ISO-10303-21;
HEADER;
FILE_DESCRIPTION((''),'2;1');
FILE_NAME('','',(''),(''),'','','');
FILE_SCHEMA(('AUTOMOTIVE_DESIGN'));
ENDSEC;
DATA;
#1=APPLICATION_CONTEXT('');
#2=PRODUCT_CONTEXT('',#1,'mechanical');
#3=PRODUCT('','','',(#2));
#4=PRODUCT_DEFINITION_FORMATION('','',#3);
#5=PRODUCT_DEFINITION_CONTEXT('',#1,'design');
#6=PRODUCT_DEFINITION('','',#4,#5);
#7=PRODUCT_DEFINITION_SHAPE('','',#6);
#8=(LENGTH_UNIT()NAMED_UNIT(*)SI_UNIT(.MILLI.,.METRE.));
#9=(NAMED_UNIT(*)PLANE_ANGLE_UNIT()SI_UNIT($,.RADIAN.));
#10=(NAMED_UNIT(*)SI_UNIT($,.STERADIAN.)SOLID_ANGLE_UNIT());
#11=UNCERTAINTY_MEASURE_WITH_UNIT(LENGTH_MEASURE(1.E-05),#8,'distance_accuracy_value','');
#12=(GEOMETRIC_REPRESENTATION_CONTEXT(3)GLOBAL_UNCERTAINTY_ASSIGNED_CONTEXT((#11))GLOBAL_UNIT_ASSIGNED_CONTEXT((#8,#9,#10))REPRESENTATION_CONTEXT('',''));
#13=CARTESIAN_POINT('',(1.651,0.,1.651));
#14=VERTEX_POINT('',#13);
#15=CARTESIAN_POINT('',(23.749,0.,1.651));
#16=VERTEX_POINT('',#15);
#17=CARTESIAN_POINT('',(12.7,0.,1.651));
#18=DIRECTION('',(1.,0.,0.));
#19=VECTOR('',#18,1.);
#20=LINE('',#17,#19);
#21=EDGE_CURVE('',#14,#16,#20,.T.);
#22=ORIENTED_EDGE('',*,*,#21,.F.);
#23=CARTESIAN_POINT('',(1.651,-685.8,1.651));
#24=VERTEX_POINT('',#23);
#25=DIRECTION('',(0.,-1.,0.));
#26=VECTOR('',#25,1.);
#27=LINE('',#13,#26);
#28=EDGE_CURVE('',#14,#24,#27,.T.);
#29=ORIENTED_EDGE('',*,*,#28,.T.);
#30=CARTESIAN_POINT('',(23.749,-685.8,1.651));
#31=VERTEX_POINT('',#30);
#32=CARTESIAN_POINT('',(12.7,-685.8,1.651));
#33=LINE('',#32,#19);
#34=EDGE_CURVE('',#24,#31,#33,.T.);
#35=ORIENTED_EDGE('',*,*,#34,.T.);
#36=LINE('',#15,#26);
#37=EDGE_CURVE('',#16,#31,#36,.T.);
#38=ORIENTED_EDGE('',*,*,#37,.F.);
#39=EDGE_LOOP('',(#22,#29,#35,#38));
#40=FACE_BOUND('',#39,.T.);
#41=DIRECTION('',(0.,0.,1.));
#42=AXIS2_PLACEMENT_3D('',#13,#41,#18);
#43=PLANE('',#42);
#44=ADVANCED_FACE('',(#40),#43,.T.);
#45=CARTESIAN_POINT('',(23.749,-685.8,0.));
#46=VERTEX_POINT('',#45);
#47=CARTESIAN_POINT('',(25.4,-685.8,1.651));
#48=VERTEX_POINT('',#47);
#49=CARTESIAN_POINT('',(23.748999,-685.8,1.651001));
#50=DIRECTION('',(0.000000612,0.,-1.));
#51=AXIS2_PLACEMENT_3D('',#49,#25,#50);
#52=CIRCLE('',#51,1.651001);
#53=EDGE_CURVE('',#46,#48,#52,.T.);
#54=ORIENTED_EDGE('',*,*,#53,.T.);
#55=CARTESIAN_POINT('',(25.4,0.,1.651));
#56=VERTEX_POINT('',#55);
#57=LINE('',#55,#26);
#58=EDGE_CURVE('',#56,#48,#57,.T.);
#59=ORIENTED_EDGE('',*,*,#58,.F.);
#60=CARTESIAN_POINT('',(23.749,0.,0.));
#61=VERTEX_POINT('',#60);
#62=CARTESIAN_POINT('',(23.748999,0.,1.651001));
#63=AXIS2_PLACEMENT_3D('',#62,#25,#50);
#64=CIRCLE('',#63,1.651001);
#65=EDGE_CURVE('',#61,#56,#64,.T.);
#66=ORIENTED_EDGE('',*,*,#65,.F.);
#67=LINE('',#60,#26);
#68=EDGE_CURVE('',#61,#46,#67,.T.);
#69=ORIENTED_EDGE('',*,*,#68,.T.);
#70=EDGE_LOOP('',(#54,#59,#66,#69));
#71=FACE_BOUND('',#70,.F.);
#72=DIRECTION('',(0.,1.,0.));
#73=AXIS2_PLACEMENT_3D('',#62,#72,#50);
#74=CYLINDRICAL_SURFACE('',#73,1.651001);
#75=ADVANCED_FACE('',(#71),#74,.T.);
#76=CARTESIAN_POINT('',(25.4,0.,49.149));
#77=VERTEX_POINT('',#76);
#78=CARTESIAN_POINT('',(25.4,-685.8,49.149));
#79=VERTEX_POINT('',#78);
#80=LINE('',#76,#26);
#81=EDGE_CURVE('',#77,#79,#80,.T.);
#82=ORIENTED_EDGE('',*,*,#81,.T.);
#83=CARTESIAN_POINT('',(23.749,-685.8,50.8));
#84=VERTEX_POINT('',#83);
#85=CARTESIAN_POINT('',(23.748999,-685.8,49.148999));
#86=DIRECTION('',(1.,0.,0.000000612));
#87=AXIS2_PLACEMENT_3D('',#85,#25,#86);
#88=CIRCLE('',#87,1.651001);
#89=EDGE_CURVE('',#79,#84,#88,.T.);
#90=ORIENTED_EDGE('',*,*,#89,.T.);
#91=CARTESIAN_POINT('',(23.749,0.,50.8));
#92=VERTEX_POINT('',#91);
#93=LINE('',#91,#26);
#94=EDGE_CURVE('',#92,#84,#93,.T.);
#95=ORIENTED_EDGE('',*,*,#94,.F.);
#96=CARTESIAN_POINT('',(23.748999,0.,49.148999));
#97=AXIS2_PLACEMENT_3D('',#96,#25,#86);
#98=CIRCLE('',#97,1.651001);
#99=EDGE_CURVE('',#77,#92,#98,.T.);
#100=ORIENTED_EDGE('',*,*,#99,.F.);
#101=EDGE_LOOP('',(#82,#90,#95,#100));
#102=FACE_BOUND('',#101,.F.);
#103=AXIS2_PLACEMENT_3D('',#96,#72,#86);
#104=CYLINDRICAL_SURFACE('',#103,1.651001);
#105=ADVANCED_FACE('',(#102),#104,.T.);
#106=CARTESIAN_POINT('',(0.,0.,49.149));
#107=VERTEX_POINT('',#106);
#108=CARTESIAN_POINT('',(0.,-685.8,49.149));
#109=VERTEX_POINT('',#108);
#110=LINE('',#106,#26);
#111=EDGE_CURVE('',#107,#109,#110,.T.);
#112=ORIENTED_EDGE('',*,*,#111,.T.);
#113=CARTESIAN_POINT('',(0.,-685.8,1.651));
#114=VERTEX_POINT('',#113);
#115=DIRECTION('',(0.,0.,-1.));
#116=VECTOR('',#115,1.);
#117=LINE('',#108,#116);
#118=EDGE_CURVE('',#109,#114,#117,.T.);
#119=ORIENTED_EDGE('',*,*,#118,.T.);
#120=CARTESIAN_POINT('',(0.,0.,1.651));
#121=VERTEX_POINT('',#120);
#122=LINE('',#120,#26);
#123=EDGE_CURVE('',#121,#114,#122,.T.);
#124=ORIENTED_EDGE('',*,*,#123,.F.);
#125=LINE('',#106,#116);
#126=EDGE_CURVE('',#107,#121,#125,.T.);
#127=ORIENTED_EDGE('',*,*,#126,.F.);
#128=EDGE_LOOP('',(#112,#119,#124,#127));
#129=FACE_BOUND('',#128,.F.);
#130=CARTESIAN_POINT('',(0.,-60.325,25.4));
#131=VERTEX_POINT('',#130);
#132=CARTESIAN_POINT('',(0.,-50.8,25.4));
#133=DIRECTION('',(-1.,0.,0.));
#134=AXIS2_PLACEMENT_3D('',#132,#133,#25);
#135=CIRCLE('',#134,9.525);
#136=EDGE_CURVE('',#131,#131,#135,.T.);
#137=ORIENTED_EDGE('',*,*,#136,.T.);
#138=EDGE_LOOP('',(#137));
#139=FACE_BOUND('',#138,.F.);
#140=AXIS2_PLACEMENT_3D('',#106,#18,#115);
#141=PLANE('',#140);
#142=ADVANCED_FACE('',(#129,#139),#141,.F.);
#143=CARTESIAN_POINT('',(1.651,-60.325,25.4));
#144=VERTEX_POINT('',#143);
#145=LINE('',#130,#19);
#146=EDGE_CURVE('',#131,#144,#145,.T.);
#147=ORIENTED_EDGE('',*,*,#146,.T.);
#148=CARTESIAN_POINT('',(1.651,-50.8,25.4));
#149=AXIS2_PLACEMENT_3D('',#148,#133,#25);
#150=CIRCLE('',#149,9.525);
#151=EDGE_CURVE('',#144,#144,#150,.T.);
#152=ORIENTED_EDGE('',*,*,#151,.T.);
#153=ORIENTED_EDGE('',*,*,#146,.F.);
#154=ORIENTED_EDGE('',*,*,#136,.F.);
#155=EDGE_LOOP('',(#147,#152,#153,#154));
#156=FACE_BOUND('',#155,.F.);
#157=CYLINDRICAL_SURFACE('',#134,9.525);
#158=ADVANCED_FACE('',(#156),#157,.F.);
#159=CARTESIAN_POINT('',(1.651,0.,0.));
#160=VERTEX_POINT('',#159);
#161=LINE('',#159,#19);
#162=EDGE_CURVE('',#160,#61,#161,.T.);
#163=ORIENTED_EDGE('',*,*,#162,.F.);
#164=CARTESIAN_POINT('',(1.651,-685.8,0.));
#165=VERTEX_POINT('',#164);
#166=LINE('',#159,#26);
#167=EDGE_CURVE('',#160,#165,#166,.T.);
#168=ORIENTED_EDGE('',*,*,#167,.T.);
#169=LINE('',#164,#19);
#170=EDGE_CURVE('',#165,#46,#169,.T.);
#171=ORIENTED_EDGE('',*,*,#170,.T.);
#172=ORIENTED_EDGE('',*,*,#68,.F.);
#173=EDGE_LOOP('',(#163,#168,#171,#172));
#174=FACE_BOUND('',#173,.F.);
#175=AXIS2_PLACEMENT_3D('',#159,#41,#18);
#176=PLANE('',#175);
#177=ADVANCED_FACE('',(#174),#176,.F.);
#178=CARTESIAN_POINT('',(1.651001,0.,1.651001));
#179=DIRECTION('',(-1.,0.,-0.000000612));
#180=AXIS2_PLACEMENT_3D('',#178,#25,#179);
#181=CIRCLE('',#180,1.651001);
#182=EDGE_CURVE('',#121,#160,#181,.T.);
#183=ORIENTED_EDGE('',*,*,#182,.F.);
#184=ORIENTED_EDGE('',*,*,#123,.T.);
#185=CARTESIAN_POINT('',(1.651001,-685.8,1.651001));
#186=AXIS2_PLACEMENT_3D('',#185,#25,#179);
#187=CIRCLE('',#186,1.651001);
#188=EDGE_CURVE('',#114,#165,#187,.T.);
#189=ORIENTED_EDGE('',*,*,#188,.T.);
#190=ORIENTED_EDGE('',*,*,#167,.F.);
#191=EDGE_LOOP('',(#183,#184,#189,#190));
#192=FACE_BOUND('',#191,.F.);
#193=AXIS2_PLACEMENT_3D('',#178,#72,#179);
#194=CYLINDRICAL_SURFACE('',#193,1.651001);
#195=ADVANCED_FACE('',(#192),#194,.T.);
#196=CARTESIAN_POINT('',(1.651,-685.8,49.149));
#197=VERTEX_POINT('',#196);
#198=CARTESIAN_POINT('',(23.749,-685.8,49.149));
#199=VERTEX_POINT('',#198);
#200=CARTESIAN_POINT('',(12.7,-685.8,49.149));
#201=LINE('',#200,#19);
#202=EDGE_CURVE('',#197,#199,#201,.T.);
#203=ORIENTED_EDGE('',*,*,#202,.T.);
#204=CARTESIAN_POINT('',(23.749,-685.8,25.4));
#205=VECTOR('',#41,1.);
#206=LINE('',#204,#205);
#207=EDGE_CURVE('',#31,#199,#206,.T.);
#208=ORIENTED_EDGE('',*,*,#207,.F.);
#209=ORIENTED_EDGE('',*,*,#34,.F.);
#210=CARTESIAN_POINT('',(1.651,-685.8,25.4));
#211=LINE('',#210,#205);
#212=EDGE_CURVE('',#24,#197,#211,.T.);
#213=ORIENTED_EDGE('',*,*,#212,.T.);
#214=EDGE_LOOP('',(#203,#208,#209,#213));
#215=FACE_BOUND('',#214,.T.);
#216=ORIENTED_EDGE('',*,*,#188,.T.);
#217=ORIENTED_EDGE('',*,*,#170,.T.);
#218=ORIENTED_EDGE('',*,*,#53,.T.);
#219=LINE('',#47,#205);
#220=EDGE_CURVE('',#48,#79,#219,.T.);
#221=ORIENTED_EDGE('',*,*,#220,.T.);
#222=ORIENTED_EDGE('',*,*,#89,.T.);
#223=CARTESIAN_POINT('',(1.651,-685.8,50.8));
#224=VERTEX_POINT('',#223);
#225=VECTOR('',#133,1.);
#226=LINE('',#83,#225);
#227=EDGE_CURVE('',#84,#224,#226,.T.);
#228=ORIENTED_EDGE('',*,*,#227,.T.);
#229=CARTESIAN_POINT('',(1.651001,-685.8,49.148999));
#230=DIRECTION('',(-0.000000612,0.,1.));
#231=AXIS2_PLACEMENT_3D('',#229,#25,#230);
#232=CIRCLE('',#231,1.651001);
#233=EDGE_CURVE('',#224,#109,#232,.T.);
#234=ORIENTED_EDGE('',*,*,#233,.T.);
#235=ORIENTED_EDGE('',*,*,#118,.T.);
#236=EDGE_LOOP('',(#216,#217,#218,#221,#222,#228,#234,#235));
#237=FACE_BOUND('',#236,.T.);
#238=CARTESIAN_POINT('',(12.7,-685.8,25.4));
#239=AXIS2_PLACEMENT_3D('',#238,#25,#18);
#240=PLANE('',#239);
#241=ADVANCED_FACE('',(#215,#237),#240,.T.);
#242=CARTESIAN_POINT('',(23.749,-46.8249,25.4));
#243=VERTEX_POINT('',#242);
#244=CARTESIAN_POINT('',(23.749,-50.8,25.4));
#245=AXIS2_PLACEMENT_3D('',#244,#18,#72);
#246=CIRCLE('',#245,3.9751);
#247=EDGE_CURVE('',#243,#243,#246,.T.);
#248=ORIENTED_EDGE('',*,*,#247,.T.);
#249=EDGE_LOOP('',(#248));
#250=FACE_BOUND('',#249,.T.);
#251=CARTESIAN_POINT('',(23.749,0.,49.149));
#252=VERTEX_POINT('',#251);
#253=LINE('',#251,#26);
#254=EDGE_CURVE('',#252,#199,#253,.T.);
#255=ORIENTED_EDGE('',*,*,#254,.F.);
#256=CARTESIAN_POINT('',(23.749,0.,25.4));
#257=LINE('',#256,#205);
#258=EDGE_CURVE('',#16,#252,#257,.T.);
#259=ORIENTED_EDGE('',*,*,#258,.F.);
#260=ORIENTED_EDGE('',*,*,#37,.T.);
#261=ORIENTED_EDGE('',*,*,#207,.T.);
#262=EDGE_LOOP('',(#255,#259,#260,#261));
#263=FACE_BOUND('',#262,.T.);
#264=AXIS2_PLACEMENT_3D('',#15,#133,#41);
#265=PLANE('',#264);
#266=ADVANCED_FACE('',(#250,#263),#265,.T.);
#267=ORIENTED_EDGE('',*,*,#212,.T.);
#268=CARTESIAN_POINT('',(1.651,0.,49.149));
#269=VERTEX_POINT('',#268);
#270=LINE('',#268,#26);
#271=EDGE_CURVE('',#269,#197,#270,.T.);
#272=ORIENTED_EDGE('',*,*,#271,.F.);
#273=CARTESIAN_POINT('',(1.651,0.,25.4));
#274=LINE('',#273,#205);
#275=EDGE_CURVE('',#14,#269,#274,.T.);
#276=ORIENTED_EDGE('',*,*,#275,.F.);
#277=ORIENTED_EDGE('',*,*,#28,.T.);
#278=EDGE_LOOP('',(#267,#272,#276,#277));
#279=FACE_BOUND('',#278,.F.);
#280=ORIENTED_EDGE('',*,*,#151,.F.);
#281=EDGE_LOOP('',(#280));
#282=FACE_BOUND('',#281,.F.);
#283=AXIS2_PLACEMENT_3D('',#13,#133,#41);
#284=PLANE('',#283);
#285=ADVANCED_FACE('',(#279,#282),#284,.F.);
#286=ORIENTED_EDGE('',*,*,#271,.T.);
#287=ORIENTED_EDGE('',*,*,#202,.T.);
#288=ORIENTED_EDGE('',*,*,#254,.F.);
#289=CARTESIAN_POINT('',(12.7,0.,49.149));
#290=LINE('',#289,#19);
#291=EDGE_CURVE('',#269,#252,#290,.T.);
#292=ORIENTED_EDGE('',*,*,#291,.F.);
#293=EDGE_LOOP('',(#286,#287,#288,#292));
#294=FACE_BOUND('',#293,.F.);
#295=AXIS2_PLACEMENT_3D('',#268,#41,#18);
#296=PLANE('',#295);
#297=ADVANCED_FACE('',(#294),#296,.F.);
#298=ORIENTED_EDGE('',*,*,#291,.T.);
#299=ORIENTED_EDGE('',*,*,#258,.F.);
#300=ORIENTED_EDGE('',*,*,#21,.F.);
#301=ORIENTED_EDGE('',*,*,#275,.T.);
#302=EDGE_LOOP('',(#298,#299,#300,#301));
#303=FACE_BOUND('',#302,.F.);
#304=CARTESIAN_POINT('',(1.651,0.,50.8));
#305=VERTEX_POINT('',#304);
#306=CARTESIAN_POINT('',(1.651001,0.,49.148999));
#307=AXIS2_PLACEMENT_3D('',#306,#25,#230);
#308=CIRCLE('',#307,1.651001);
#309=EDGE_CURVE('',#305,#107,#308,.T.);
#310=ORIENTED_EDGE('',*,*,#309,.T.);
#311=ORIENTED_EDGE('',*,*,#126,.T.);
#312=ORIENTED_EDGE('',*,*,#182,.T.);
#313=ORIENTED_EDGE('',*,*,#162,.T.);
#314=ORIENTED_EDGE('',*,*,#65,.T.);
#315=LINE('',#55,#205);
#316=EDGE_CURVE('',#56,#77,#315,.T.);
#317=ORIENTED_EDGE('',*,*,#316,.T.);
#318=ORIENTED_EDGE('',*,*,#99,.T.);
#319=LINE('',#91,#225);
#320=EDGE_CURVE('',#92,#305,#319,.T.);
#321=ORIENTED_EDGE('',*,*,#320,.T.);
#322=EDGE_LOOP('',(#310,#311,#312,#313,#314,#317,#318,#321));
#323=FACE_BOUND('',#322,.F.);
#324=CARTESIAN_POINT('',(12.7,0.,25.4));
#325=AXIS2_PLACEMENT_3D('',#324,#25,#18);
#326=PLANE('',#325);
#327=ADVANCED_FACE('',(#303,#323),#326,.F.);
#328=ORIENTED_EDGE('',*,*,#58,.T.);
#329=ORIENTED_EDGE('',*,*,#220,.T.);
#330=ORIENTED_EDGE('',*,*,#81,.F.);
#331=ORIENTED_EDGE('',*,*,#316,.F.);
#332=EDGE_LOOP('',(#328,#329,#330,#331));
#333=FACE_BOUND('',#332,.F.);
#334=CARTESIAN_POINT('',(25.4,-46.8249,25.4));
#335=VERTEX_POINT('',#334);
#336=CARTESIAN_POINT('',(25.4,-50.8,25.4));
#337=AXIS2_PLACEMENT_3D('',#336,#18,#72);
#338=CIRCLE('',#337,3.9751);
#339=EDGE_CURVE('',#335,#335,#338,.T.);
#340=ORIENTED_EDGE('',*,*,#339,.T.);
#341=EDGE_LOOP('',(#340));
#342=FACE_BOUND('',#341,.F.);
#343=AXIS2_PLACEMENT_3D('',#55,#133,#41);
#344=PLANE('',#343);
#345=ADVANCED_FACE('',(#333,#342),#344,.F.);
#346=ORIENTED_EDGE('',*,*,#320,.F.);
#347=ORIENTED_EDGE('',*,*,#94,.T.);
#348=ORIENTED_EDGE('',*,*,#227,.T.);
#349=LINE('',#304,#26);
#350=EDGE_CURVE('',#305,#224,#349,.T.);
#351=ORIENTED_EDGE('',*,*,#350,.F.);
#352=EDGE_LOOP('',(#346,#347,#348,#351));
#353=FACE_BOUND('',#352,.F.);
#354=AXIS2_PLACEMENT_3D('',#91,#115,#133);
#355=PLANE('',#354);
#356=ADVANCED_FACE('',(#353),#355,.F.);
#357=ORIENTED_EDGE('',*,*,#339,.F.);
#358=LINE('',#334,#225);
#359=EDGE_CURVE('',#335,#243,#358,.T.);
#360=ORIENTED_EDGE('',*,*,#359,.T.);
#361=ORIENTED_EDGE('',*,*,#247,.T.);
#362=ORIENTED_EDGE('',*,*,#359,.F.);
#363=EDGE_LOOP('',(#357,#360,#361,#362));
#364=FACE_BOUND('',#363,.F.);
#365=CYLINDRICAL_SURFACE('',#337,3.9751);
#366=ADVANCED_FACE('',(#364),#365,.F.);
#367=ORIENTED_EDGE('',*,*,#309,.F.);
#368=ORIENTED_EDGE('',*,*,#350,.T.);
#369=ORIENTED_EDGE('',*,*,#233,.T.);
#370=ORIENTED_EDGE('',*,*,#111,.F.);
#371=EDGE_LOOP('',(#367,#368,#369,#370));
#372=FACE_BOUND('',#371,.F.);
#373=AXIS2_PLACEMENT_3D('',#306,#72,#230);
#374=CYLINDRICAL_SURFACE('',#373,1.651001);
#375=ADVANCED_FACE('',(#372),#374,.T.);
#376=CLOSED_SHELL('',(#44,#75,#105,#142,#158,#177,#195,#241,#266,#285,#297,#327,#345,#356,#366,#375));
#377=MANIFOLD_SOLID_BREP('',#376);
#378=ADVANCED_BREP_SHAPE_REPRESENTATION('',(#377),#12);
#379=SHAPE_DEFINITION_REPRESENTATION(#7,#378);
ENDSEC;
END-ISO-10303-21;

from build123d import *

# Parameters (mm, degrees)
F0_W     = 22.098
F0_H     = 47.498
F1_DEPTH = 685.8
F2_R     = 3.9751
F3_DEPTH = 1.651
F4_R     = 9.525
F5_DEPTH = 1.651


with BuildPart() as f1:
    # F0 (on Front) → F1 (new body)
    with BuildSketch(Plane.XZ):
        with BuildLine():
            ThreePointArc((0, 1.651), (0.483567, 0.483567), (1.651, 0))
            Line((1.651, 0), (23.749, 0))
            ThreePointArc((23.749, 0), (24.916433, 0.483567), (25.4, 1.651))
            Line((25.4, 1.651), (25.4, 49.149))
            ThreePointArc((25.4, 49.149), (24.916433, 50.316433), (23.749, 50.8))
            Line((23.749, 50.8), (1.651, 50.8))
            ThreePointArc((1.651, 50.8), (0.483567, 50.316433), (0, 49.149))
            Line((0, 49.149), (0, 1.651))
        make_face()
        with Locations((12.7, 25.4)):
            Rectangle(F0_W, F0_H, mode=Mode.SUBTRACT)
    extrude(amount=F1_DEPTH)

    # F2 (on face) → F3 (cut, through all)
    with BuildSketch(Plane.YZ.offset(25.4)):
        with Locations((-50.8, 25.4)):
            Circle(F2_R)
    extrude(amount=-F3_DEPTH, mode=Mode.SUBTRACT)

    # F4 (on face) → F5 (cut, through all)
    with BuildSketch(Plane(origin=(0, 0, 0), x_dir=(0, -1, 0), z_dir=(-1, 0, 0))):
        with Locations((50.8, 25.4)):
            Circle(F4_R)
    extrude(amount=-F5_DEPTH, mode=Mode.SUBTRACT)


solid = f1.part
